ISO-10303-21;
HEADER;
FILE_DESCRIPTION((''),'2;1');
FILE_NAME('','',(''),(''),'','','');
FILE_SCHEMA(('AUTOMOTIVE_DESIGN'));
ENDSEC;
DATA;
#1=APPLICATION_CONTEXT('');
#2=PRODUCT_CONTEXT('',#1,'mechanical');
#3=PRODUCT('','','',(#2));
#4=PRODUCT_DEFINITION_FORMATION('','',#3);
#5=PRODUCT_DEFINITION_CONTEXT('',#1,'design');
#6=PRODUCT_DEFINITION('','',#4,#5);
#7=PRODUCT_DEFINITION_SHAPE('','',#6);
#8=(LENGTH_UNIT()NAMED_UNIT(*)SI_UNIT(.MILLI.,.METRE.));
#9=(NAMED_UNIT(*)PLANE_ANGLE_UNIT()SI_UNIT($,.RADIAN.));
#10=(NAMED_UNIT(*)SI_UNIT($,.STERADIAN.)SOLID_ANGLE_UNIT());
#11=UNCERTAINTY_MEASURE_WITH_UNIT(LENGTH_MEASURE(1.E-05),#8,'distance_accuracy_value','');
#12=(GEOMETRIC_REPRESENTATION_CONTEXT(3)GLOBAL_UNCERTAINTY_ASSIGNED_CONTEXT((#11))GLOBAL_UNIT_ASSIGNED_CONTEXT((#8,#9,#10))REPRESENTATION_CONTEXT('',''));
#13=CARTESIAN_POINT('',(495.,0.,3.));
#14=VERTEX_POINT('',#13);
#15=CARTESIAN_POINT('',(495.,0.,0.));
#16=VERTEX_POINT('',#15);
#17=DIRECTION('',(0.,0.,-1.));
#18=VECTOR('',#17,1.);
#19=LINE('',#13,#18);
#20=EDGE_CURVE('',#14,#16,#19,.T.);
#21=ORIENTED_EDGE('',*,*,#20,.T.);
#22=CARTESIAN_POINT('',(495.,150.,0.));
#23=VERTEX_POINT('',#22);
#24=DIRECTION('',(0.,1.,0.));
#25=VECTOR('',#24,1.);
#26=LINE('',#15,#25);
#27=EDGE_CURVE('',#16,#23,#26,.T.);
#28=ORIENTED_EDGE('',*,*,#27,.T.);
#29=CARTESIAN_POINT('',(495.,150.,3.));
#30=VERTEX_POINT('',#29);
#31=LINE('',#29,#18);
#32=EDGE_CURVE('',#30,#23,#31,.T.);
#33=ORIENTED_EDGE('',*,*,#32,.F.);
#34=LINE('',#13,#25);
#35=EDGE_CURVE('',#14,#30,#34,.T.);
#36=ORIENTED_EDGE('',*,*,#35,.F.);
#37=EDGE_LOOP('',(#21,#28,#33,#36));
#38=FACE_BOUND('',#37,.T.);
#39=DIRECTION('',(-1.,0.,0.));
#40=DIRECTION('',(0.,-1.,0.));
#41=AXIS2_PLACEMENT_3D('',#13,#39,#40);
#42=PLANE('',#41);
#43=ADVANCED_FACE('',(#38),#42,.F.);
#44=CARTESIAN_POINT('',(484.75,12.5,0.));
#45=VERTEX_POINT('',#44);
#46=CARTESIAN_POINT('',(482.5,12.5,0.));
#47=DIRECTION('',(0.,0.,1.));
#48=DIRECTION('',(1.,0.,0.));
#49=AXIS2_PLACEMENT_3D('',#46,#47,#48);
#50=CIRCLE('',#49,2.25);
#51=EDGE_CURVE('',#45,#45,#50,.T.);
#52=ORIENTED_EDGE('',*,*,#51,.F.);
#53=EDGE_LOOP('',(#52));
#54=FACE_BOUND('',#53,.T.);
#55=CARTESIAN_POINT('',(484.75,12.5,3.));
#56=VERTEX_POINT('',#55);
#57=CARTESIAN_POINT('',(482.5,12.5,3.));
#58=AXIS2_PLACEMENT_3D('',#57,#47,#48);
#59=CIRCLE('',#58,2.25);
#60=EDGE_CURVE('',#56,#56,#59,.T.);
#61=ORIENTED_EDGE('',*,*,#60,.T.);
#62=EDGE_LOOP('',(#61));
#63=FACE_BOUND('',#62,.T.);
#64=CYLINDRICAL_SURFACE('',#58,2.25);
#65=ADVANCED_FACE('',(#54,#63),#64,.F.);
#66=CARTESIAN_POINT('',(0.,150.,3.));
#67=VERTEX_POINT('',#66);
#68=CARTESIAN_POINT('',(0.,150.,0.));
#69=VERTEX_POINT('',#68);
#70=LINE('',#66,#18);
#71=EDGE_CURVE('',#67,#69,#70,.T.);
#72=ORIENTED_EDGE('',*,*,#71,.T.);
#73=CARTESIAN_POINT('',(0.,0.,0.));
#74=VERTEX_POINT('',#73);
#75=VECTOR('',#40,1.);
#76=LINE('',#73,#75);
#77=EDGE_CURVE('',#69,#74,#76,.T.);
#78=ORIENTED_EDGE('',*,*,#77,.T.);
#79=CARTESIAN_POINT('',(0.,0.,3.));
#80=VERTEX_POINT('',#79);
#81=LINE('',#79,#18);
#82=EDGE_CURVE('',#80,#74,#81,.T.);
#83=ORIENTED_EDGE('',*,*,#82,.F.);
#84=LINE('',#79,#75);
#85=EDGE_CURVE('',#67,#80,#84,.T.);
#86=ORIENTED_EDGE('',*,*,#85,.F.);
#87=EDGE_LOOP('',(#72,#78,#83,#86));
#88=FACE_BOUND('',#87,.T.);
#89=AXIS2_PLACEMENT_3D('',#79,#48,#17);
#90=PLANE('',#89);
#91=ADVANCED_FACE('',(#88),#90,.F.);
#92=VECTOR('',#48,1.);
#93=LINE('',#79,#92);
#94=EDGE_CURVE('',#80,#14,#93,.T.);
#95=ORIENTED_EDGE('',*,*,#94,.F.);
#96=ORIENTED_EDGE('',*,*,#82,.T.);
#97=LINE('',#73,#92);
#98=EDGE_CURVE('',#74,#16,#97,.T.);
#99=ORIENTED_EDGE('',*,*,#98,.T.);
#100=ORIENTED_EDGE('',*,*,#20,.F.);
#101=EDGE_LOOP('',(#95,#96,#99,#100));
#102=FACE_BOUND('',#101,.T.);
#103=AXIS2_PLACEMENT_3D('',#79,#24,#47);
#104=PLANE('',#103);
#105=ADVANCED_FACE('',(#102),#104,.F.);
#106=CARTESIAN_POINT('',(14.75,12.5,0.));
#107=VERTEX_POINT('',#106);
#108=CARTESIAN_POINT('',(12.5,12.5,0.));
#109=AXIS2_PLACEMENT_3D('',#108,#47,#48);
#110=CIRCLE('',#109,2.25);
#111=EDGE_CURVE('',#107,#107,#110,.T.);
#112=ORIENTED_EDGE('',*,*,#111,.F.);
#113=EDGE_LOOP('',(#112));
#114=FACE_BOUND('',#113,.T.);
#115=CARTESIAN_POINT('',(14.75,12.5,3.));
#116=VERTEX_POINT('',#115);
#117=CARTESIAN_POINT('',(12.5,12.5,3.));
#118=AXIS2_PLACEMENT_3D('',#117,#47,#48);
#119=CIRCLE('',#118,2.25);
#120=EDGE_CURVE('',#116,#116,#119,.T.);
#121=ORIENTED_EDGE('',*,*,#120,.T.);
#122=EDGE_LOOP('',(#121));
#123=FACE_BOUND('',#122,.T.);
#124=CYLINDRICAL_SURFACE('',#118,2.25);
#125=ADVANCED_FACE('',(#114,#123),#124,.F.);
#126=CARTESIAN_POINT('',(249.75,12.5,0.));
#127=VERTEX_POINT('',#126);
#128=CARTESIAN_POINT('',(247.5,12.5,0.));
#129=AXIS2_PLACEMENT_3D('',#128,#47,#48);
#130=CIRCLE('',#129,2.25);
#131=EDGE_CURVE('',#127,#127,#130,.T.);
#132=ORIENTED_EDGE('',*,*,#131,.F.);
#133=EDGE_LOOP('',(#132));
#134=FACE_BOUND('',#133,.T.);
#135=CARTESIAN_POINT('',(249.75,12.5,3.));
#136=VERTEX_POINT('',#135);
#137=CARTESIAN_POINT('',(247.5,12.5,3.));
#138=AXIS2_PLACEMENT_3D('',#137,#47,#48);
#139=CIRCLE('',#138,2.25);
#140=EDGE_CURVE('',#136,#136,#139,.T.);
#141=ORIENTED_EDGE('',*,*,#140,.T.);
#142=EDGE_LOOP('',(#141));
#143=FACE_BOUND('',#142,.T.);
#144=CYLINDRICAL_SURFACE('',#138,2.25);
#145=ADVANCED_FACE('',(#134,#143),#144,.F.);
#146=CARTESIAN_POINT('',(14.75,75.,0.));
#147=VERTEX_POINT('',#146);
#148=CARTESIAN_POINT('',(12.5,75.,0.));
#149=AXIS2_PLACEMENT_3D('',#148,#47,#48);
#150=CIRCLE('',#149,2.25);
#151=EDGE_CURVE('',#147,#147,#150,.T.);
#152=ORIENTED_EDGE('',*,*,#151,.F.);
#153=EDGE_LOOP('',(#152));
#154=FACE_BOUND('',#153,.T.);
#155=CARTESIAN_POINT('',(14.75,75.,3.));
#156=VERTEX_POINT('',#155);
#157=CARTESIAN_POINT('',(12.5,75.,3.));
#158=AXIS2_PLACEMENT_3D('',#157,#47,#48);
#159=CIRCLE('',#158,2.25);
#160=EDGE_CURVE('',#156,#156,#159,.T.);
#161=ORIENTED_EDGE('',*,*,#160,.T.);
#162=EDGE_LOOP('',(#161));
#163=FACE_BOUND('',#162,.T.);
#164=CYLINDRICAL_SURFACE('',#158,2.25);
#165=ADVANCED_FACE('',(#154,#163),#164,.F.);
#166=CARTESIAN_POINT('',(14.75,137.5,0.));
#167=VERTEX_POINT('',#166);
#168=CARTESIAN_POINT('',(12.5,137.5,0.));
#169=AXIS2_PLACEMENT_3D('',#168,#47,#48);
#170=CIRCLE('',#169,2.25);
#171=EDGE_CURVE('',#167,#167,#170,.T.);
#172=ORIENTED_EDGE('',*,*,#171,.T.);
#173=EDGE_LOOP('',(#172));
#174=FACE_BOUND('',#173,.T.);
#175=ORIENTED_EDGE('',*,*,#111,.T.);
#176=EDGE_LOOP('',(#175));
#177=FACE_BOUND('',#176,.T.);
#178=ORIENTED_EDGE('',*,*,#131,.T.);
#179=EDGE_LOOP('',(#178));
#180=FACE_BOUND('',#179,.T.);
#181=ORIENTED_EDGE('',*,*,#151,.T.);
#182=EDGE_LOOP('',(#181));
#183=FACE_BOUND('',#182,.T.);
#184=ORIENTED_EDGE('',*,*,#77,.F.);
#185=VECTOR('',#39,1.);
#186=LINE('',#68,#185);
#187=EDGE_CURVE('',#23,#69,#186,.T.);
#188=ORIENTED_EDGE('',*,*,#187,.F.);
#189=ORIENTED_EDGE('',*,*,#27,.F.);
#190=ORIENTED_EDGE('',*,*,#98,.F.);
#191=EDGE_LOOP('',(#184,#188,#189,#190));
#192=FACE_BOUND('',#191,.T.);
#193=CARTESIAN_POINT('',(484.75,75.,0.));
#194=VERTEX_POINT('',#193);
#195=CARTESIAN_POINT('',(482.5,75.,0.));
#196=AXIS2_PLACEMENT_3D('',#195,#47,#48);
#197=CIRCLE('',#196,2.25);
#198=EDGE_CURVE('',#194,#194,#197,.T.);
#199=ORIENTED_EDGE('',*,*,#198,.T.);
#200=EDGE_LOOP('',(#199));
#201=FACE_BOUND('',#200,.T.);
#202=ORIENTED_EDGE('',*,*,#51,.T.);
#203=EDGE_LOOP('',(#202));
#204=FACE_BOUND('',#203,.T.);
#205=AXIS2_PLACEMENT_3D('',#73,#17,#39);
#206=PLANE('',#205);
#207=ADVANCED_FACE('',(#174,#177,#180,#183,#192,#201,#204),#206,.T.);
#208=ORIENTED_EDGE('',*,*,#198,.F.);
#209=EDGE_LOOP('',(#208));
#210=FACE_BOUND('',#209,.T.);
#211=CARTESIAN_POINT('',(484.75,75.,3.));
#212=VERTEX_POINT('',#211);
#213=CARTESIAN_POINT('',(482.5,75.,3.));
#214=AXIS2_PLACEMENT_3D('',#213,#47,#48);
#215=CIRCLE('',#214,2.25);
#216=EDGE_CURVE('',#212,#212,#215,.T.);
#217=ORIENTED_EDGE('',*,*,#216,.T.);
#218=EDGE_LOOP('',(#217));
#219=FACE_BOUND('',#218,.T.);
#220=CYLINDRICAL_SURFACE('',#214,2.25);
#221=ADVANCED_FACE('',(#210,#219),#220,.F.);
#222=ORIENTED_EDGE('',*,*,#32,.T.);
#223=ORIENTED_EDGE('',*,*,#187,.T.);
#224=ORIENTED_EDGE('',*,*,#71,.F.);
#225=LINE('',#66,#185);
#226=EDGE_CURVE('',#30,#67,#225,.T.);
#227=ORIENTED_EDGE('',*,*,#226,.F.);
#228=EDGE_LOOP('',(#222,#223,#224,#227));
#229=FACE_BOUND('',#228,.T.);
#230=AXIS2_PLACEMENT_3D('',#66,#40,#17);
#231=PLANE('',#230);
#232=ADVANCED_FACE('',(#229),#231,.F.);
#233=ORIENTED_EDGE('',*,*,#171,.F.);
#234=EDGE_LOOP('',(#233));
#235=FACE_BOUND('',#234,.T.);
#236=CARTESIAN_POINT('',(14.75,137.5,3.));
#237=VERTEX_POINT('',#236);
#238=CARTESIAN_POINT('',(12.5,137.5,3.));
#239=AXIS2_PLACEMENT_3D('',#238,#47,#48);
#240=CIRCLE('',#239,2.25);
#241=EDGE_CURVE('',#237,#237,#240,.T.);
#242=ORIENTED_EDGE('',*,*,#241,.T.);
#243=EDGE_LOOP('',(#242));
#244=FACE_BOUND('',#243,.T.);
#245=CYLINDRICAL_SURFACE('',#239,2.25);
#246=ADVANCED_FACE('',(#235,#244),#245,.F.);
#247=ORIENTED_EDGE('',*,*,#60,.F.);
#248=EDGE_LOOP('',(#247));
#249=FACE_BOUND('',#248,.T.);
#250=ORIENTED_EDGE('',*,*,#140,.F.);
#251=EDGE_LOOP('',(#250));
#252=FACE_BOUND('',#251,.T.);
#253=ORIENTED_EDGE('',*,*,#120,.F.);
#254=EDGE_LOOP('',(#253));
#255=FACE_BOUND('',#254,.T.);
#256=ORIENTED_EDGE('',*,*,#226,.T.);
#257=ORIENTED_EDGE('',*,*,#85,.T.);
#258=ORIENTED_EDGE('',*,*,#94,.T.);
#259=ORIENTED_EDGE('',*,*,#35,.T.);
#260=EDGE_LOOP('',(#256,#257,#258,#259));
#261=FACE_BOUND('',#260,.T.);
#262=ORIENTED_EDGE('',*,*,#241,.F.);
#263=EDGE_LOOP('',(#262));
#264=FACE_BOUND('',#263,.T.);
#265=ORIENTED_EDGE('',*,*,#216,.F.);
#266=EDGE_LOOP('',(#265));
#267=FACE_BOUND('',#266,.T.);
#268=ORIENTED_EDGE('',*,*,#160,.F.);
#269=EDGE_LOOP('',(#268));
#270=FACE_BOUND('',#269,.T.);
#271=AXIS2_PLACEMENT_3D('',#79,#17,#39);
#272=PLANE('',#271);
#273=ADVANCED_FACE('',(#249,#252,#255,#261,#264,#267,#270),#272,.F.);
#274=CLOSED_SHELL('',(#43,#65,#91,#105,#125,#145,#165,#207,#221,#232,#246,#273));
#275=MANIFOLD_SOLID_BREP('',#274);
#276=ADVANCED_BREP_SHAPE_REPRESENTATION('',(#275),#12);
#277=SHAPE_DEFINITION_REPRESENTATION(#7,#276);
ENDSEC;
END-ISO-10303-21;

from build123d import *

# Parameters (mm, degrees)
SKETCH1_W            = 495
SKETCH1_H            = 150
BOSS_EXTRUDE1_DEPTH  = 3
M4_CLEARANCE_HOLE1_D = 4.5


with BuildPart() as part:
    # Sketch1 → Boss-Extrude1 (new body)
    with BuildSketch(Plane.XY):
        with Locations((247.5, 75)):
            Rectangle(SKETCH1_W, SKETCH1_H)
    extrude(amount=BOSS_EXTRUDE1_DEPTH)

    # M4 Clearance Hole1 (through all)
    with Locations(Plane.XY.offset(3)):
        with Locations((12.5, 75), (12.5, 137.5), (12.5, 12.5), (247.5, 12.5), (482.5, 12.5), (482.5, 75), (482.5, 237.5)):
            Hole(M4_CLEARANCE_HOLE1_D / 2)


solid = part.part
